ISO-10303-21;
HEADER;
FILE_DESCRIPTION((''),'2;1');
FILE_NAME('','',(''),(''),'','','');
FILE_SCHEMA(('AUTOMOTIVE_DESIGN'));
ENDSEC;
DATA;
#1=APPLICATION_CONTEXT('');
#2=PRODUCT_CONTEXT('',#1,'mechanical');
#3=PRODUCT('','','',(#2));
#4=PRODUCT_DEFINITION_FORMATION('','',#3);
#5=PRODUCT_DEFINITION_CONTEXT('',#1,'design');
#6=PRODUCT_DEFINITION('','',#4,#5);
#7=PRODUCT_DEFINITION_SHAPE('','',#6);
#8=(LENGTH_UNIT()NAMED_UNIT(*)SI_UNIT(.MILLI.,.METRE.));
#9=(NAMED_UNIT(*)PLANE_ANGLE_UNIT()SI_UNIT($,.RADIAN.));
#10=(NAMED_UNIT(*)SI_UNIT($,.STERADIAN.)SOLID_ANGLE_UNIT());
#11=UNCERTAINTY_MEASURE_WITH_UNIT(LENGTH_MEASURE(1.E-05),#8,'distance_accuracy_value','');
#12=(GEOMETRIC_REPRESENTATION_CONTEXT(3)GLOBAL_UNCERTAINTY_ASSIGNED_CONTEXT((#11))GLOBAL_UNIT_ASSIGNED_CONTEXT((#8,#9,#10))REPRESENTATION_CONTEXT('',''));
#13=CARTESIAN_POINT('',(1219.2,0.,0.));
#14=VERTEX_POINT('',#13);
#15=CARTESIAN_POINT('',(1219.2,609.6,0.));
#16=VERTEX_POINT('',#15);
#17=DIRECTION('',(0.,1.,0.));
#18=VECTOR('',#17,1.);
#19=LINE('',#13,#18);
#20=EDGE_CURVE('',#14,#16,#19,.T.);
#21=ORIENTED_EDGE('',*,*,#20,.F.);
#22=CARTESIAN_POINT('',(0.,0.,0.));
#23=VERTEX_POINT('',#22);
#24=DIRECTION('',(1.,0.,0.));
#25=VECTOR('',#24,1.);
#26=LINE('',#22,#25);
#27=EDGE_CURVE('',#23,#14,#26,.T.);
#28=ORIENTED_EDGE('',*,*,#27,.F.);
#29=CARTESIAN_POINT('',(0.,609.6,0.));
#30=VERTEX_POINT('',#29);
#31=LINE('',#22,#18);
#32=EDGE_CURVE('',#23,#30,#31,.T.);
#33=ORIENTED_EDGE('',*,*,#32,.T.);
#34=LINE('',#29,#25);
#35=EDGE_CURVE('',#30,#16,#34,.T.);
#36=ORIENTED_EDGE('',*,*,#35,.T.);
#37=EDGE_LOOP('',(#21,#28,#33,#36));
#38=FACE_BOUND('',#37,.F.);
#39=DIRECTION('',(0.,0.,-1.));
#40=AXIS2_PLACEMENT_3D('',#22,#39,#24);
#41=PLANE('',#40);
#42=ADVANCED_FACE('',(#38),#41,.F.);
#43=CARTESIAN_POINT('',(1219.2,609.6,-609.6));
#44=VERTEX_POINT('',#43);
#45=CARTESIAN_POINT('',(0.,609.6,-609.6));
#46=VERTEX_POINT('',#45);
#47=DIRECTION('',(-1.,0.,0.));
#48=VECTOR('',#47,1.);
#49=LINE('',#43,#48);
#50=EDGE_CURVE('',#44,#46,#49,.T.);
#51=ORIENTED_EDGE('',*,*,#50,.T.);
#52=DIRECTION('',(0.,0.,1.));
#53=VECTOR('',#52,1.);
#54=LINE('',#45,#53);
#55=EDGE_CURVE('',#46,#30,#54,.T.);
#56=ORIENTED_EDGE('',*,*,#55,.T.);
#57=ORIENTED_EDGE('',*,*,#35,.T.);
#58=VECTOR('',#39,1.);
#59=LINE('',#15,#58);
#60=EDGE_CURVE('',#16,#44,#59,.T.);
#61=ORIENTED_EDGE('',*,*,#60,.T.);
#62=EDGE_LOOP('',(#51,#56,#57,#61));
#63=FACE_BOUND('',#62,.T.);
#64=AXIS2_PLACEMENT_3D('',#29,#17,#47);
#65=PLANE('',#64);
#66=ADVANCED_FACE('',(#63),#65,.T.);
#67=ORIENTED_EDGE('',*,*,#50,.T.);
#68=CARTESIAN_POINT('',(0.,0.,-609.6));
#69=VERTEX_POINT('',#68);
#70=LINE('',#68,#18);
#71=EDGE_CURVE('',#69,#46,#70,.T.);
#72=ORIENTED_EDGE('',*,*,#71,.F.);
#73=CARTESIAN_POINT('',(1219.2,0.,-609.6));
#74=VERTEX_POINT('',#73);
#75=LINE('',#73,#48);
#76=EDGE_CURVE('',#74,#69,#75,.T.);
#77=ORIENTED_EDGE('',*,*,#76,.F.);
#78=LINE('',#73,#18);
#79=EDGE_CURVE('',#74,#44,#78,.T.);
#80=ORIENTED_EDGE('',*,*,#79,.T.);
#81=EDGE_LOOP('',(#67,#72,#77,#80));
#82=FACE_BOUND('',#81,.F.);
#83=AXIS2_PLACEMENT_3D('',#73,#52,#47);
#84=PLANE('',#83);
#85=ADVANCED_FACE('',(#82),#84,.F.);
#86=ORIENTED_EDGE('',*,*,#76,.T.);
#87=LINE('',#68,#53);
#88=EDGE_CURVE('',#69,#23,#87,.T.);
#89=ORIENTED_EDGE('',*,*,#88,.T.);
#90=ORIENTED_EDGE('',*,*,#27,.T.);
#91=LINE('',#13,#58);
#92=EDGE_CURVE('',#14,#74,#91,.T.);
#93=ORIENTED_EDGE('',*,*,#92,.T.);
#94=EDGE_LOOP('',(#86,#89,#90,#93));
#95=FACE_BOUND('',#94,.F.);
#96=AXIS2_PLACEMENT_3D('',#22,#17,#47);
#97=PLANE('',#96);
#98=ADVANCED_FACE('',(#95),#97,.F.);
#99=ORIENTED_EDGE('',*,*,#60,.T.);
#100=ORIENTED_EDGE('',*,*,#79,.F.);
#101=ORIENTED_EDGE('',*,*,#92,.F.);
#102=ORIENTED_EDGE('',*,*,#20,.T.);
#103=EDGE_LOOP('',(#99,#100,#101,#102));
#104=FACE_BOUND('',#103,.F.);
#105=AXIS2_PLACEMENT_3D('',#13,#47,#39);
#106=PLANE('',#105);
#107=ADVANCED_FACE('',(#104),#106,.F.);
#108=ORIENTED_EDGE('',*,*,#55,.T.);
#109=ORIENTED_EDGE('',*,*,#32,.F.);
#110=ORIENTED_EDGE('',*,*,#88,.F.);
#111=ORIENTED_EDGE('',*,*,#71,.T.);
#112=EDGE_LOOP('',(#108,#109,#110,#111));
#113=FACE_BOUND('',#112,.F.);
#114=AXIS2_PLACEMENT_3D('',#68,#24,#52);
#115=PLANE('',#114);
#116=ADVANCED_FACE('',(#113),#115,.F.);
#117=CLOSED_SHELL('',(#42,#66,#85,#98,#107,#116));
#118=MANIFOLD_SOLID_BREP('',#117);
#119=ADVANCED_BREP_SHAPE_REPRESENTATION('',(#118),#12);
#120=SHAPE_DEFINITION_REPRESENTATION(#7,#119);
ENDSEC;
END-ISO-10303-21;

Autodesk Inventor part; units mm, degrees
ref_plane "YZ Plane" through (0, 0, 0) normal (1, 0, 0) x (0, 1, 0)
ref_plane "XZ Plane" through (0, 0, 0) normal (0, 1, 0) x (-1, 0, 0)
ref_plane "XY Plane" through (0, 0, 0) normal (0, 0, 1) x (1, 0, 0)
sketch "Sketch1" plane through (0, 0, 0) normal (0, 1, 0) x (-1, 0, 0)
  line L0 (0, 0) -> (-1219.2, 0)
  line L1 (-1219.2, 0) -> (-1219.2, -609.6)
  line L2 (-1219.2, -609.6) -> (0, -609.6)
  line L3 (0, -609.6) -> (0, 0)
  dimension "d0" = 1219.2
  dimension "d1" = 609.6
extrude "Extrusion1" add sketch "Sketch1" along normal blind 609.6
properties part number "C - 2" material "Granite, Cut, Polished"
